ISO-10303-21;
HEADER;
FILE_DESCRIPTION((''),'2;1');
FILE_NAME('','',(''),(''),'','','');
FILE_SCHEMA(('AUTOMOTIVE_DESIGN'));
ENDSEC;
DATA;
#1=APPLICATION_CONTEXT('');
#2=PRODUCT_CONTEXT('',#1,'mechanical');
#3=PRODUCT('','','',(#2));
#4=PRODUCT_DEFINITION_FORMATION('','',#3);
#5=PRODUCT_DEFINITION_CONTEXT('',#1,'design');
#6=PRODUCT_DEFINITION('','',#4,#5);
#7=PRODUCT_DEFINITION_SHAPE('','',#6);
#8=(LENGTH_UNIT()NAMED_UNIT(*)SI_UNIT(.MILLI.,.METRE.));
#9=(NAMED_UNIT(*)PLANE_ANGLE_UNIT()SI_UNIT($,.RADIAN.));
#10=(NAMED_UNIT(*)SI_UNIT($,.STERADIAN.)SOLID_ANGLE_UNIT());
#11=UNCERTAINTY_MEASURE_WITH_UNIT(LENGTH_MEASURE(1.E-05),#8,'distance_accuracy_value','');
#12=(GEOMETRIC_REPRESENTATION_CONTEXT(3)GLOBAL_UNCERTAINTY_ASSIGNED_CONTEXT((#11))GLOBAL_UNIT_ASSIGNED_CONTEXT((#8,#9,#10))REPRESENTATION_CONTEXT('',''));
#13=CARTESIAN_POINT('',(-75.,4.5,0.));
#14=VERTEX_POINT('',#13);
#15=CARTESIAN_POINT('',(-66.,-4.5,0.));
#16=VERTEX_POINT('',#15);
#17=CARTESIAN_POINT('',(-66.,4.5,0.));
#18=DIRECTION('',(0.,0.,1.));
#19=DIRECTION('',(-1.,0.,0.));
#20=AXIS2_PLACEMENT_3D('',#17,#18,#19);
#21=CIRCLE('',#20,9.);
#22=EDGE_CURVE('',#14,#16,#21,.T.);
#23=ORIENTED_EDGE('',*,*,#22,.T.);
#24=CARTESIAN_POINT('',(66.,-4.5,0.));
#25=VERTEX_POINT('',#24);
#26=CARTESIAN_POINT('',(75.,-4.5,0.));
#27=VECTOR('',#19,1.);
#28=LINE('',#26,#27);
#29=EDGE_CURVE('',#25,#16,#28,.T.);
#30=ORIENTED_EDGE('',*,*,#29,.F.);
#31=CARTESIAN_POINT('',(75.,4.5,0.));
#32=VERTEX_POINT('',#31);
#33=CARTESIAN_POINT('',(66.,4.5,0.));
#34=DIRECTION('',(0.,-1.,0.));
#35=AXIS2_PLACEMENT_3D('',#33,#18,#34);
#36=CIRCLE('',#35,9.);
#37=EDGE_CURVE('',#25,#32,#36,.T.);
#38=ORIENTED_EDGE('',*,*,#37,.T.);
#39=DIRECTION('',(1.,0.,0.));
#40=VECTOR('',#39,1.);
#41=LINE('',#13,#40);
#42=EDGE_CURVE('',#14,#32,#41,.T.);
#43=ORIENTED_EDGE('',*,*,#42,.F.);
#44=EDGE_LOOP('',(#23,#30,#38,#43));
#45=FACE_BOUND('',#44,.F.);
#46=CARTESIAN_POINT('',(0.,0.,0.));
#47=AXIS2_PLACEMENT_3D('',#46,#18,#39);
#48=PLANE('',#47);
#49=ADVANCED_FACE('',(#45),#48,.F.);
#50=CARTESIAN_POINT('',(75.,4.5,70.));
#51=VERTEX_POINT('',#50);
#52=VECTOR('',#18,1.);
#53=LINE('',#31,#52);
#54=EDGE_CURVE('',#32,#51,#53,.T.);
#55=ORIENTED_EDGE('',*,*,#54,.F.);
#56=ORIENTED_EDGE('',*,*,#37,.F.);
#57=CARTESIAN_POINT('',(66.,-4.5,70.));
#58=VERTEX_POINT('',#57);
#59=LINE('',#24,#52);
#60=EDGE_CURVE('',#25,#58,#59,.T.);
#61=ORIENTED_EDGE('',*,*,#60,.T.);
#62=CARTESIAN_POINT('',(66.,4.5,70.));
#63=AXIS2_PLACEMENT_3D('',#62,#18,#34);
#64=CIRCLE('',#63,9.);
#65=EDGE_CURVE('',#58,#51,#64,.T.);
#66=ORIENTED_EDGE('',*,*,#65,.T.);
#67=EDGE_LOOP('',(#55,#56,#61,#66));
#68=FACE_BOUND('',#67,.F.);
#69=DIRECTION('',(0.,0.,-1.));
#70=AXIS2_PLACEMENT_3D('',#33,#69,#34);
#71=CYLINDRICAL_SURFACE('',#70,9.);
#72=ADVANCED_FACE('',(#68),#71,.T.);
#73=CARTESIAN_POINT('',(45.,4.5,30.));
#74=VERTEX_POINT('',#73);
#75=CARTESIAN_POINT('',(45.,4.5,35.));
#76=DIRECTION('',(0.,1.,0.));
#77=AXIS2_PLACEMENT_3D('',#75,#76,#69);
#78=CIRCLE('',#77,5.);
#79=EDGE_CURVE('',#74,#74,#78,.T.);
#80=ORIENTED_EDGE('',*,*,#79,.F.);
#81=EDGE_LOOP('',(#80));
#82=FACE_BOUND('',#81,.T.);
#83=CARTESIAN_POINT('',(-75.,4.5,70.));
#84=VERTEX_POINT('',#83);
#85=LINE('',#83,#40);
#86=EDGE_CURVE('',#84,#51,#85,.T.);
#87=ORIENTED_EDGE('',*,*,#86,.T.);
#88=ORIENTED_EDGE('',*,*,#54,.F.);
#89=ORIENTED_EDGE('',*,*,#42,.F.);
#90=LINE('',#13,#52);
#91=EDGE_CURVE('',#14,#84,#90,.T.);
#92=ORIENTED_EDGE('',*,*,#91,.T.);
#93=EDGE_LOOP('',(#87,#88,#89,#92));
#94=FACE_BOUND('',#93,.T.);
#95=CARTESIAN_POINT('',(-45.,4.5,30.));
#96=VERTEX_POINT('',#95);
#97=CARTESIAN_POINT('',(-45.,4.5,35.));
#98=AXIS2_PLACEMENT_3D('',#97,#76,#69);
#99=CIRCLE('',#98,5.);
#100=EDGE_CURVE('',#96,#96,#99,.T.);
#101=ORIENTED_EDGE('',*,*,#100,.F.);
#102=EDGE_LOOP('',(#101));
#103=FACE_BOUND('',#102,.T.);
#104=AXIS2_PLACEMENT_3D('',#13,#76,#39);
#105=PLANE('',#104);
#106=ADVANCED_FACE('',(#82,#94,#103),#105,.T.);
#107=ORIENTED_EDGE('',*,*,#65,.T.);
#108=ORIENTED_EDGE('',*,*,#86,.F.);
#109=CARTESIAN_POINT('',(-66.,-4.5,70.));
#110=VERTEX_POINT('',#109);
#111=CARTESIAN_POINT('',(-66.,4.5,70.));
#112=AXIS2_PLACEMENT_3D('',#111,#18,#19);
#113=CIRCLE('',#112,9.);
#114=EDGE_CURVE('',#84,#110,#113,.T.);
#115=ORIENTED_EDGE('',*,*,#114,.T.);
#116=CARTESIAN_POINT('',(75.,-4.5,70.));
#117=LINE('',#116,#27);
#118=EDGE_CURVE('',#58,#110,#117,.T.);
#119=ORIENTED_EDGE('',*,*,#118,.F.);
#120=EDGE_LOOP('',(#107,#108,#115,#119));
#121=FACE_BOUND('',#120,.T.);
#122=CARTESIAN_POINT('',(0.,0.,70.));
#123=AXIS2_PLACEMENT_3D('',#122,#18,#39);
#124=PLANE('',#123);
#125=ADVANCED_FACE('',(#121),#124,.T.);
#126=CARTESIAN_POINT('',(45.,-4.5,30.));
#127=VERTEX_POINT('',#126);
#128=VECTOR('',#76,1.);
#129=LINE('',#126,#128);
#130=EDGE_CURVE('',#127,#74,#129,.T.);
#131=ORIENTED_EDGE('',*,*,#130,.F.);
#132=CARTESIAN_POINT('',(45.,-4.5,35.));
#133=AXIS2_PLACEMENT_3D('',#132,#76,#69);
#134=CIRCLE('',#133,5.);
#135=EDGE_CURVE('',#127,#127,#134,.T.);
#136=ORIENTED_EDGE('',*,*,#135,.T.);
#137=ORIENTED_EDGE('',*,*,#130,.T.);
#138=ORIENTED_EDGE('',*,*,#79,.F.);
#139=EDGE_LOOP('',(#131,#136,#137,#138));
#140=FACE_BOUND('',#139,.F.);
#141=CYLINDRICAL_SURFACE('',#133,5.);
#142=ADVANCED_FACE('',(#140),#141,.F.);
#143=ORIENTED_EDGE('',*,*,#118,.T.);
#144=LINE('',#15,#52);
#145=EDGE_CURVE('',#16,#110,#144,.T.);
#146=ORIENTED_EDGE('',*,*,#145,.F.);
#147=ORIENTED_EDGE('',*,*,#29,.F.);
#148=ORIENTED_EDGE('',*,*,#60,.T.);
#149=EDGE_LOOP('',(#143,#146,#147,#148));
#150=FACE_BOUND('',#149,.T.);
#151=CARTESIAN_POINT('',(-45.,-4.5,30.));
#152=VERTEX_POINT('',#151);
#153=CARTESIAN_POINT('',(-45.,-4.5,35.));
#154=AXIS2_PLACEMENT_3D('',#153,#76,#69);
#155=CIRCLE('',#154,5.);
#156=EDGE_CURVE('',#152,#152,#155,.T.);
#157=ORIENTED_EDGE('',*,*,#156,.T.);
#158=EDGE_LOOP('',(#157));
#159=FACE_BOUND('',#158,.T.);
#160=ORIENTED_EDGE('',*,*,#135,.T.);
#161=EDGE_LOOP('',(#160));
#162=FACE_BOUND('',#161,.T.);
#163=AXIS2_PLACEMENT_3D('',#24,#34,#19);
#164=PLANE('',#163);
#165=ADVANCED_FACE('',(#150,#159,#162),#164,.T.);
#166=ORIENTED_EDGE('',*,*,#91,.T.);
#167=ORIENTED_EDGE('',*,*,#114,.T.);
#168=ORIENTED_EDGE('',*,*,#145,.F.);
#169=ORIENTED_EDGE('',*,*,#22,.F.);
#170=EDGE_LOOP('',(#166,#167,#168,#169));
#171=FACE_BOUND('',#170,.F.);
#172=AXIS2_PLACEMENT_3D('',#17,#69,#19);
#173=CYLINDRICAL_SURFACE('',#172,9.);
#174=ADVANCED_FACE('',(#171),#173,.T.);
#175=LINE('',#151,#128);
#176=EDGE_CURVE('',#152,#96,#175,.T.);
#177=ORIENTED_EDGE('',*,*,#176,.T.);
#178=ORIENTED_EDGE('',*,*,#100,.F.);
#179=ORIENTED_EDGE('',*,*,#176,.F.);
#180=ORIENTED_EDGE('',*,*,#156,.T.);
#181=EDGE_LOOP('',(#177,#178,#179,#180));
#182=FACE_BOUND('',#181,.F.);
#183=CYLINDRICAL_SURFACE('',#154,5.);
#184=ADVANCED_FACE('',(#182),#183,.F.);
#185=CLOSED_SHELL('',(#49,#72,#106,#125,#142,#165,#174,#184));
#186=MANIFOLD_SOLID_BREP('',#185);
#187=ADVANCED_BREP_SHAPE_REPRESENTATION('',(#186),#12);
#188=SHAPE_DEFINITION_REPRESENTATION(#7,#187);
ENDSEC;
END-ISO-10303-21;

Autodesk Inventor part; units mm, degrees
ref_plane "YZ Plane" through (0, 0, 0) normal (1, 0, 0) x (0, 1, 0)
ref_plane "XZ Plane" through (0, 0, 0) normal (0, 1, 0) x (-1, 0, 0)
ref_plane "XY Plane" through (0, 0, 0) normal (0, 0, 1) x (1, 0, 0)
sketch "Schizzo1" plane through (0, 0, 0) normal (0, 0, 1) x (1, 0, 0)
  line L0 (-75, 4.5) -> (75, 4.5)
  line L1 (75, 4.5) -> (75, -4.5)
  line L2 (75, -4.5) -> (-75, -4.5)
  line L3 (-75, -4.5) -> (-75, 4.5)
  line L4 (-75, 4.5) -> (75, -4.5) construction
  line L5 (75, 4.5) -> (-75, -4.5) construction
  arc A0 (-75, 4.5) -> (-66, -4.5) centre (-66, 4.5) ccw
  arc A1 (66, -4.5) -> (75, 4.5) centre (66, 4.5) ccw
  point P0 (0, 0)
  dimension "d0" = 150
  dimension "d1" = 9
  dimension "d3" = 9
  dimension "d4" = 9
extrude "Estrusione1" add sketch "Schizzo1" along normal blind 70 contours L0 A1 L2 A0
sketch "Schizzo2" plane through (-66, -4.5, 0) normal (0, -1, 0) x (1, 0, 0)
  line L0 (141, 0) -> (141, 70) projected
  line L1 (-9, 0) -> (-9, 70) projected
  point P0 (66, 0)
  point P1 (21, 35)
  point P2 (111, 35)
  point P3 (141, 35)
  dimension "d7" = 30
  dimension "d8" = 30
  dimension "d16" = 90
hole "Foro1" at (-45, -4.5, 35) at (45, -4.5, 35) direction (0, 1, 0) diameter 10 end through all
properties part number "Spessore plastica"
